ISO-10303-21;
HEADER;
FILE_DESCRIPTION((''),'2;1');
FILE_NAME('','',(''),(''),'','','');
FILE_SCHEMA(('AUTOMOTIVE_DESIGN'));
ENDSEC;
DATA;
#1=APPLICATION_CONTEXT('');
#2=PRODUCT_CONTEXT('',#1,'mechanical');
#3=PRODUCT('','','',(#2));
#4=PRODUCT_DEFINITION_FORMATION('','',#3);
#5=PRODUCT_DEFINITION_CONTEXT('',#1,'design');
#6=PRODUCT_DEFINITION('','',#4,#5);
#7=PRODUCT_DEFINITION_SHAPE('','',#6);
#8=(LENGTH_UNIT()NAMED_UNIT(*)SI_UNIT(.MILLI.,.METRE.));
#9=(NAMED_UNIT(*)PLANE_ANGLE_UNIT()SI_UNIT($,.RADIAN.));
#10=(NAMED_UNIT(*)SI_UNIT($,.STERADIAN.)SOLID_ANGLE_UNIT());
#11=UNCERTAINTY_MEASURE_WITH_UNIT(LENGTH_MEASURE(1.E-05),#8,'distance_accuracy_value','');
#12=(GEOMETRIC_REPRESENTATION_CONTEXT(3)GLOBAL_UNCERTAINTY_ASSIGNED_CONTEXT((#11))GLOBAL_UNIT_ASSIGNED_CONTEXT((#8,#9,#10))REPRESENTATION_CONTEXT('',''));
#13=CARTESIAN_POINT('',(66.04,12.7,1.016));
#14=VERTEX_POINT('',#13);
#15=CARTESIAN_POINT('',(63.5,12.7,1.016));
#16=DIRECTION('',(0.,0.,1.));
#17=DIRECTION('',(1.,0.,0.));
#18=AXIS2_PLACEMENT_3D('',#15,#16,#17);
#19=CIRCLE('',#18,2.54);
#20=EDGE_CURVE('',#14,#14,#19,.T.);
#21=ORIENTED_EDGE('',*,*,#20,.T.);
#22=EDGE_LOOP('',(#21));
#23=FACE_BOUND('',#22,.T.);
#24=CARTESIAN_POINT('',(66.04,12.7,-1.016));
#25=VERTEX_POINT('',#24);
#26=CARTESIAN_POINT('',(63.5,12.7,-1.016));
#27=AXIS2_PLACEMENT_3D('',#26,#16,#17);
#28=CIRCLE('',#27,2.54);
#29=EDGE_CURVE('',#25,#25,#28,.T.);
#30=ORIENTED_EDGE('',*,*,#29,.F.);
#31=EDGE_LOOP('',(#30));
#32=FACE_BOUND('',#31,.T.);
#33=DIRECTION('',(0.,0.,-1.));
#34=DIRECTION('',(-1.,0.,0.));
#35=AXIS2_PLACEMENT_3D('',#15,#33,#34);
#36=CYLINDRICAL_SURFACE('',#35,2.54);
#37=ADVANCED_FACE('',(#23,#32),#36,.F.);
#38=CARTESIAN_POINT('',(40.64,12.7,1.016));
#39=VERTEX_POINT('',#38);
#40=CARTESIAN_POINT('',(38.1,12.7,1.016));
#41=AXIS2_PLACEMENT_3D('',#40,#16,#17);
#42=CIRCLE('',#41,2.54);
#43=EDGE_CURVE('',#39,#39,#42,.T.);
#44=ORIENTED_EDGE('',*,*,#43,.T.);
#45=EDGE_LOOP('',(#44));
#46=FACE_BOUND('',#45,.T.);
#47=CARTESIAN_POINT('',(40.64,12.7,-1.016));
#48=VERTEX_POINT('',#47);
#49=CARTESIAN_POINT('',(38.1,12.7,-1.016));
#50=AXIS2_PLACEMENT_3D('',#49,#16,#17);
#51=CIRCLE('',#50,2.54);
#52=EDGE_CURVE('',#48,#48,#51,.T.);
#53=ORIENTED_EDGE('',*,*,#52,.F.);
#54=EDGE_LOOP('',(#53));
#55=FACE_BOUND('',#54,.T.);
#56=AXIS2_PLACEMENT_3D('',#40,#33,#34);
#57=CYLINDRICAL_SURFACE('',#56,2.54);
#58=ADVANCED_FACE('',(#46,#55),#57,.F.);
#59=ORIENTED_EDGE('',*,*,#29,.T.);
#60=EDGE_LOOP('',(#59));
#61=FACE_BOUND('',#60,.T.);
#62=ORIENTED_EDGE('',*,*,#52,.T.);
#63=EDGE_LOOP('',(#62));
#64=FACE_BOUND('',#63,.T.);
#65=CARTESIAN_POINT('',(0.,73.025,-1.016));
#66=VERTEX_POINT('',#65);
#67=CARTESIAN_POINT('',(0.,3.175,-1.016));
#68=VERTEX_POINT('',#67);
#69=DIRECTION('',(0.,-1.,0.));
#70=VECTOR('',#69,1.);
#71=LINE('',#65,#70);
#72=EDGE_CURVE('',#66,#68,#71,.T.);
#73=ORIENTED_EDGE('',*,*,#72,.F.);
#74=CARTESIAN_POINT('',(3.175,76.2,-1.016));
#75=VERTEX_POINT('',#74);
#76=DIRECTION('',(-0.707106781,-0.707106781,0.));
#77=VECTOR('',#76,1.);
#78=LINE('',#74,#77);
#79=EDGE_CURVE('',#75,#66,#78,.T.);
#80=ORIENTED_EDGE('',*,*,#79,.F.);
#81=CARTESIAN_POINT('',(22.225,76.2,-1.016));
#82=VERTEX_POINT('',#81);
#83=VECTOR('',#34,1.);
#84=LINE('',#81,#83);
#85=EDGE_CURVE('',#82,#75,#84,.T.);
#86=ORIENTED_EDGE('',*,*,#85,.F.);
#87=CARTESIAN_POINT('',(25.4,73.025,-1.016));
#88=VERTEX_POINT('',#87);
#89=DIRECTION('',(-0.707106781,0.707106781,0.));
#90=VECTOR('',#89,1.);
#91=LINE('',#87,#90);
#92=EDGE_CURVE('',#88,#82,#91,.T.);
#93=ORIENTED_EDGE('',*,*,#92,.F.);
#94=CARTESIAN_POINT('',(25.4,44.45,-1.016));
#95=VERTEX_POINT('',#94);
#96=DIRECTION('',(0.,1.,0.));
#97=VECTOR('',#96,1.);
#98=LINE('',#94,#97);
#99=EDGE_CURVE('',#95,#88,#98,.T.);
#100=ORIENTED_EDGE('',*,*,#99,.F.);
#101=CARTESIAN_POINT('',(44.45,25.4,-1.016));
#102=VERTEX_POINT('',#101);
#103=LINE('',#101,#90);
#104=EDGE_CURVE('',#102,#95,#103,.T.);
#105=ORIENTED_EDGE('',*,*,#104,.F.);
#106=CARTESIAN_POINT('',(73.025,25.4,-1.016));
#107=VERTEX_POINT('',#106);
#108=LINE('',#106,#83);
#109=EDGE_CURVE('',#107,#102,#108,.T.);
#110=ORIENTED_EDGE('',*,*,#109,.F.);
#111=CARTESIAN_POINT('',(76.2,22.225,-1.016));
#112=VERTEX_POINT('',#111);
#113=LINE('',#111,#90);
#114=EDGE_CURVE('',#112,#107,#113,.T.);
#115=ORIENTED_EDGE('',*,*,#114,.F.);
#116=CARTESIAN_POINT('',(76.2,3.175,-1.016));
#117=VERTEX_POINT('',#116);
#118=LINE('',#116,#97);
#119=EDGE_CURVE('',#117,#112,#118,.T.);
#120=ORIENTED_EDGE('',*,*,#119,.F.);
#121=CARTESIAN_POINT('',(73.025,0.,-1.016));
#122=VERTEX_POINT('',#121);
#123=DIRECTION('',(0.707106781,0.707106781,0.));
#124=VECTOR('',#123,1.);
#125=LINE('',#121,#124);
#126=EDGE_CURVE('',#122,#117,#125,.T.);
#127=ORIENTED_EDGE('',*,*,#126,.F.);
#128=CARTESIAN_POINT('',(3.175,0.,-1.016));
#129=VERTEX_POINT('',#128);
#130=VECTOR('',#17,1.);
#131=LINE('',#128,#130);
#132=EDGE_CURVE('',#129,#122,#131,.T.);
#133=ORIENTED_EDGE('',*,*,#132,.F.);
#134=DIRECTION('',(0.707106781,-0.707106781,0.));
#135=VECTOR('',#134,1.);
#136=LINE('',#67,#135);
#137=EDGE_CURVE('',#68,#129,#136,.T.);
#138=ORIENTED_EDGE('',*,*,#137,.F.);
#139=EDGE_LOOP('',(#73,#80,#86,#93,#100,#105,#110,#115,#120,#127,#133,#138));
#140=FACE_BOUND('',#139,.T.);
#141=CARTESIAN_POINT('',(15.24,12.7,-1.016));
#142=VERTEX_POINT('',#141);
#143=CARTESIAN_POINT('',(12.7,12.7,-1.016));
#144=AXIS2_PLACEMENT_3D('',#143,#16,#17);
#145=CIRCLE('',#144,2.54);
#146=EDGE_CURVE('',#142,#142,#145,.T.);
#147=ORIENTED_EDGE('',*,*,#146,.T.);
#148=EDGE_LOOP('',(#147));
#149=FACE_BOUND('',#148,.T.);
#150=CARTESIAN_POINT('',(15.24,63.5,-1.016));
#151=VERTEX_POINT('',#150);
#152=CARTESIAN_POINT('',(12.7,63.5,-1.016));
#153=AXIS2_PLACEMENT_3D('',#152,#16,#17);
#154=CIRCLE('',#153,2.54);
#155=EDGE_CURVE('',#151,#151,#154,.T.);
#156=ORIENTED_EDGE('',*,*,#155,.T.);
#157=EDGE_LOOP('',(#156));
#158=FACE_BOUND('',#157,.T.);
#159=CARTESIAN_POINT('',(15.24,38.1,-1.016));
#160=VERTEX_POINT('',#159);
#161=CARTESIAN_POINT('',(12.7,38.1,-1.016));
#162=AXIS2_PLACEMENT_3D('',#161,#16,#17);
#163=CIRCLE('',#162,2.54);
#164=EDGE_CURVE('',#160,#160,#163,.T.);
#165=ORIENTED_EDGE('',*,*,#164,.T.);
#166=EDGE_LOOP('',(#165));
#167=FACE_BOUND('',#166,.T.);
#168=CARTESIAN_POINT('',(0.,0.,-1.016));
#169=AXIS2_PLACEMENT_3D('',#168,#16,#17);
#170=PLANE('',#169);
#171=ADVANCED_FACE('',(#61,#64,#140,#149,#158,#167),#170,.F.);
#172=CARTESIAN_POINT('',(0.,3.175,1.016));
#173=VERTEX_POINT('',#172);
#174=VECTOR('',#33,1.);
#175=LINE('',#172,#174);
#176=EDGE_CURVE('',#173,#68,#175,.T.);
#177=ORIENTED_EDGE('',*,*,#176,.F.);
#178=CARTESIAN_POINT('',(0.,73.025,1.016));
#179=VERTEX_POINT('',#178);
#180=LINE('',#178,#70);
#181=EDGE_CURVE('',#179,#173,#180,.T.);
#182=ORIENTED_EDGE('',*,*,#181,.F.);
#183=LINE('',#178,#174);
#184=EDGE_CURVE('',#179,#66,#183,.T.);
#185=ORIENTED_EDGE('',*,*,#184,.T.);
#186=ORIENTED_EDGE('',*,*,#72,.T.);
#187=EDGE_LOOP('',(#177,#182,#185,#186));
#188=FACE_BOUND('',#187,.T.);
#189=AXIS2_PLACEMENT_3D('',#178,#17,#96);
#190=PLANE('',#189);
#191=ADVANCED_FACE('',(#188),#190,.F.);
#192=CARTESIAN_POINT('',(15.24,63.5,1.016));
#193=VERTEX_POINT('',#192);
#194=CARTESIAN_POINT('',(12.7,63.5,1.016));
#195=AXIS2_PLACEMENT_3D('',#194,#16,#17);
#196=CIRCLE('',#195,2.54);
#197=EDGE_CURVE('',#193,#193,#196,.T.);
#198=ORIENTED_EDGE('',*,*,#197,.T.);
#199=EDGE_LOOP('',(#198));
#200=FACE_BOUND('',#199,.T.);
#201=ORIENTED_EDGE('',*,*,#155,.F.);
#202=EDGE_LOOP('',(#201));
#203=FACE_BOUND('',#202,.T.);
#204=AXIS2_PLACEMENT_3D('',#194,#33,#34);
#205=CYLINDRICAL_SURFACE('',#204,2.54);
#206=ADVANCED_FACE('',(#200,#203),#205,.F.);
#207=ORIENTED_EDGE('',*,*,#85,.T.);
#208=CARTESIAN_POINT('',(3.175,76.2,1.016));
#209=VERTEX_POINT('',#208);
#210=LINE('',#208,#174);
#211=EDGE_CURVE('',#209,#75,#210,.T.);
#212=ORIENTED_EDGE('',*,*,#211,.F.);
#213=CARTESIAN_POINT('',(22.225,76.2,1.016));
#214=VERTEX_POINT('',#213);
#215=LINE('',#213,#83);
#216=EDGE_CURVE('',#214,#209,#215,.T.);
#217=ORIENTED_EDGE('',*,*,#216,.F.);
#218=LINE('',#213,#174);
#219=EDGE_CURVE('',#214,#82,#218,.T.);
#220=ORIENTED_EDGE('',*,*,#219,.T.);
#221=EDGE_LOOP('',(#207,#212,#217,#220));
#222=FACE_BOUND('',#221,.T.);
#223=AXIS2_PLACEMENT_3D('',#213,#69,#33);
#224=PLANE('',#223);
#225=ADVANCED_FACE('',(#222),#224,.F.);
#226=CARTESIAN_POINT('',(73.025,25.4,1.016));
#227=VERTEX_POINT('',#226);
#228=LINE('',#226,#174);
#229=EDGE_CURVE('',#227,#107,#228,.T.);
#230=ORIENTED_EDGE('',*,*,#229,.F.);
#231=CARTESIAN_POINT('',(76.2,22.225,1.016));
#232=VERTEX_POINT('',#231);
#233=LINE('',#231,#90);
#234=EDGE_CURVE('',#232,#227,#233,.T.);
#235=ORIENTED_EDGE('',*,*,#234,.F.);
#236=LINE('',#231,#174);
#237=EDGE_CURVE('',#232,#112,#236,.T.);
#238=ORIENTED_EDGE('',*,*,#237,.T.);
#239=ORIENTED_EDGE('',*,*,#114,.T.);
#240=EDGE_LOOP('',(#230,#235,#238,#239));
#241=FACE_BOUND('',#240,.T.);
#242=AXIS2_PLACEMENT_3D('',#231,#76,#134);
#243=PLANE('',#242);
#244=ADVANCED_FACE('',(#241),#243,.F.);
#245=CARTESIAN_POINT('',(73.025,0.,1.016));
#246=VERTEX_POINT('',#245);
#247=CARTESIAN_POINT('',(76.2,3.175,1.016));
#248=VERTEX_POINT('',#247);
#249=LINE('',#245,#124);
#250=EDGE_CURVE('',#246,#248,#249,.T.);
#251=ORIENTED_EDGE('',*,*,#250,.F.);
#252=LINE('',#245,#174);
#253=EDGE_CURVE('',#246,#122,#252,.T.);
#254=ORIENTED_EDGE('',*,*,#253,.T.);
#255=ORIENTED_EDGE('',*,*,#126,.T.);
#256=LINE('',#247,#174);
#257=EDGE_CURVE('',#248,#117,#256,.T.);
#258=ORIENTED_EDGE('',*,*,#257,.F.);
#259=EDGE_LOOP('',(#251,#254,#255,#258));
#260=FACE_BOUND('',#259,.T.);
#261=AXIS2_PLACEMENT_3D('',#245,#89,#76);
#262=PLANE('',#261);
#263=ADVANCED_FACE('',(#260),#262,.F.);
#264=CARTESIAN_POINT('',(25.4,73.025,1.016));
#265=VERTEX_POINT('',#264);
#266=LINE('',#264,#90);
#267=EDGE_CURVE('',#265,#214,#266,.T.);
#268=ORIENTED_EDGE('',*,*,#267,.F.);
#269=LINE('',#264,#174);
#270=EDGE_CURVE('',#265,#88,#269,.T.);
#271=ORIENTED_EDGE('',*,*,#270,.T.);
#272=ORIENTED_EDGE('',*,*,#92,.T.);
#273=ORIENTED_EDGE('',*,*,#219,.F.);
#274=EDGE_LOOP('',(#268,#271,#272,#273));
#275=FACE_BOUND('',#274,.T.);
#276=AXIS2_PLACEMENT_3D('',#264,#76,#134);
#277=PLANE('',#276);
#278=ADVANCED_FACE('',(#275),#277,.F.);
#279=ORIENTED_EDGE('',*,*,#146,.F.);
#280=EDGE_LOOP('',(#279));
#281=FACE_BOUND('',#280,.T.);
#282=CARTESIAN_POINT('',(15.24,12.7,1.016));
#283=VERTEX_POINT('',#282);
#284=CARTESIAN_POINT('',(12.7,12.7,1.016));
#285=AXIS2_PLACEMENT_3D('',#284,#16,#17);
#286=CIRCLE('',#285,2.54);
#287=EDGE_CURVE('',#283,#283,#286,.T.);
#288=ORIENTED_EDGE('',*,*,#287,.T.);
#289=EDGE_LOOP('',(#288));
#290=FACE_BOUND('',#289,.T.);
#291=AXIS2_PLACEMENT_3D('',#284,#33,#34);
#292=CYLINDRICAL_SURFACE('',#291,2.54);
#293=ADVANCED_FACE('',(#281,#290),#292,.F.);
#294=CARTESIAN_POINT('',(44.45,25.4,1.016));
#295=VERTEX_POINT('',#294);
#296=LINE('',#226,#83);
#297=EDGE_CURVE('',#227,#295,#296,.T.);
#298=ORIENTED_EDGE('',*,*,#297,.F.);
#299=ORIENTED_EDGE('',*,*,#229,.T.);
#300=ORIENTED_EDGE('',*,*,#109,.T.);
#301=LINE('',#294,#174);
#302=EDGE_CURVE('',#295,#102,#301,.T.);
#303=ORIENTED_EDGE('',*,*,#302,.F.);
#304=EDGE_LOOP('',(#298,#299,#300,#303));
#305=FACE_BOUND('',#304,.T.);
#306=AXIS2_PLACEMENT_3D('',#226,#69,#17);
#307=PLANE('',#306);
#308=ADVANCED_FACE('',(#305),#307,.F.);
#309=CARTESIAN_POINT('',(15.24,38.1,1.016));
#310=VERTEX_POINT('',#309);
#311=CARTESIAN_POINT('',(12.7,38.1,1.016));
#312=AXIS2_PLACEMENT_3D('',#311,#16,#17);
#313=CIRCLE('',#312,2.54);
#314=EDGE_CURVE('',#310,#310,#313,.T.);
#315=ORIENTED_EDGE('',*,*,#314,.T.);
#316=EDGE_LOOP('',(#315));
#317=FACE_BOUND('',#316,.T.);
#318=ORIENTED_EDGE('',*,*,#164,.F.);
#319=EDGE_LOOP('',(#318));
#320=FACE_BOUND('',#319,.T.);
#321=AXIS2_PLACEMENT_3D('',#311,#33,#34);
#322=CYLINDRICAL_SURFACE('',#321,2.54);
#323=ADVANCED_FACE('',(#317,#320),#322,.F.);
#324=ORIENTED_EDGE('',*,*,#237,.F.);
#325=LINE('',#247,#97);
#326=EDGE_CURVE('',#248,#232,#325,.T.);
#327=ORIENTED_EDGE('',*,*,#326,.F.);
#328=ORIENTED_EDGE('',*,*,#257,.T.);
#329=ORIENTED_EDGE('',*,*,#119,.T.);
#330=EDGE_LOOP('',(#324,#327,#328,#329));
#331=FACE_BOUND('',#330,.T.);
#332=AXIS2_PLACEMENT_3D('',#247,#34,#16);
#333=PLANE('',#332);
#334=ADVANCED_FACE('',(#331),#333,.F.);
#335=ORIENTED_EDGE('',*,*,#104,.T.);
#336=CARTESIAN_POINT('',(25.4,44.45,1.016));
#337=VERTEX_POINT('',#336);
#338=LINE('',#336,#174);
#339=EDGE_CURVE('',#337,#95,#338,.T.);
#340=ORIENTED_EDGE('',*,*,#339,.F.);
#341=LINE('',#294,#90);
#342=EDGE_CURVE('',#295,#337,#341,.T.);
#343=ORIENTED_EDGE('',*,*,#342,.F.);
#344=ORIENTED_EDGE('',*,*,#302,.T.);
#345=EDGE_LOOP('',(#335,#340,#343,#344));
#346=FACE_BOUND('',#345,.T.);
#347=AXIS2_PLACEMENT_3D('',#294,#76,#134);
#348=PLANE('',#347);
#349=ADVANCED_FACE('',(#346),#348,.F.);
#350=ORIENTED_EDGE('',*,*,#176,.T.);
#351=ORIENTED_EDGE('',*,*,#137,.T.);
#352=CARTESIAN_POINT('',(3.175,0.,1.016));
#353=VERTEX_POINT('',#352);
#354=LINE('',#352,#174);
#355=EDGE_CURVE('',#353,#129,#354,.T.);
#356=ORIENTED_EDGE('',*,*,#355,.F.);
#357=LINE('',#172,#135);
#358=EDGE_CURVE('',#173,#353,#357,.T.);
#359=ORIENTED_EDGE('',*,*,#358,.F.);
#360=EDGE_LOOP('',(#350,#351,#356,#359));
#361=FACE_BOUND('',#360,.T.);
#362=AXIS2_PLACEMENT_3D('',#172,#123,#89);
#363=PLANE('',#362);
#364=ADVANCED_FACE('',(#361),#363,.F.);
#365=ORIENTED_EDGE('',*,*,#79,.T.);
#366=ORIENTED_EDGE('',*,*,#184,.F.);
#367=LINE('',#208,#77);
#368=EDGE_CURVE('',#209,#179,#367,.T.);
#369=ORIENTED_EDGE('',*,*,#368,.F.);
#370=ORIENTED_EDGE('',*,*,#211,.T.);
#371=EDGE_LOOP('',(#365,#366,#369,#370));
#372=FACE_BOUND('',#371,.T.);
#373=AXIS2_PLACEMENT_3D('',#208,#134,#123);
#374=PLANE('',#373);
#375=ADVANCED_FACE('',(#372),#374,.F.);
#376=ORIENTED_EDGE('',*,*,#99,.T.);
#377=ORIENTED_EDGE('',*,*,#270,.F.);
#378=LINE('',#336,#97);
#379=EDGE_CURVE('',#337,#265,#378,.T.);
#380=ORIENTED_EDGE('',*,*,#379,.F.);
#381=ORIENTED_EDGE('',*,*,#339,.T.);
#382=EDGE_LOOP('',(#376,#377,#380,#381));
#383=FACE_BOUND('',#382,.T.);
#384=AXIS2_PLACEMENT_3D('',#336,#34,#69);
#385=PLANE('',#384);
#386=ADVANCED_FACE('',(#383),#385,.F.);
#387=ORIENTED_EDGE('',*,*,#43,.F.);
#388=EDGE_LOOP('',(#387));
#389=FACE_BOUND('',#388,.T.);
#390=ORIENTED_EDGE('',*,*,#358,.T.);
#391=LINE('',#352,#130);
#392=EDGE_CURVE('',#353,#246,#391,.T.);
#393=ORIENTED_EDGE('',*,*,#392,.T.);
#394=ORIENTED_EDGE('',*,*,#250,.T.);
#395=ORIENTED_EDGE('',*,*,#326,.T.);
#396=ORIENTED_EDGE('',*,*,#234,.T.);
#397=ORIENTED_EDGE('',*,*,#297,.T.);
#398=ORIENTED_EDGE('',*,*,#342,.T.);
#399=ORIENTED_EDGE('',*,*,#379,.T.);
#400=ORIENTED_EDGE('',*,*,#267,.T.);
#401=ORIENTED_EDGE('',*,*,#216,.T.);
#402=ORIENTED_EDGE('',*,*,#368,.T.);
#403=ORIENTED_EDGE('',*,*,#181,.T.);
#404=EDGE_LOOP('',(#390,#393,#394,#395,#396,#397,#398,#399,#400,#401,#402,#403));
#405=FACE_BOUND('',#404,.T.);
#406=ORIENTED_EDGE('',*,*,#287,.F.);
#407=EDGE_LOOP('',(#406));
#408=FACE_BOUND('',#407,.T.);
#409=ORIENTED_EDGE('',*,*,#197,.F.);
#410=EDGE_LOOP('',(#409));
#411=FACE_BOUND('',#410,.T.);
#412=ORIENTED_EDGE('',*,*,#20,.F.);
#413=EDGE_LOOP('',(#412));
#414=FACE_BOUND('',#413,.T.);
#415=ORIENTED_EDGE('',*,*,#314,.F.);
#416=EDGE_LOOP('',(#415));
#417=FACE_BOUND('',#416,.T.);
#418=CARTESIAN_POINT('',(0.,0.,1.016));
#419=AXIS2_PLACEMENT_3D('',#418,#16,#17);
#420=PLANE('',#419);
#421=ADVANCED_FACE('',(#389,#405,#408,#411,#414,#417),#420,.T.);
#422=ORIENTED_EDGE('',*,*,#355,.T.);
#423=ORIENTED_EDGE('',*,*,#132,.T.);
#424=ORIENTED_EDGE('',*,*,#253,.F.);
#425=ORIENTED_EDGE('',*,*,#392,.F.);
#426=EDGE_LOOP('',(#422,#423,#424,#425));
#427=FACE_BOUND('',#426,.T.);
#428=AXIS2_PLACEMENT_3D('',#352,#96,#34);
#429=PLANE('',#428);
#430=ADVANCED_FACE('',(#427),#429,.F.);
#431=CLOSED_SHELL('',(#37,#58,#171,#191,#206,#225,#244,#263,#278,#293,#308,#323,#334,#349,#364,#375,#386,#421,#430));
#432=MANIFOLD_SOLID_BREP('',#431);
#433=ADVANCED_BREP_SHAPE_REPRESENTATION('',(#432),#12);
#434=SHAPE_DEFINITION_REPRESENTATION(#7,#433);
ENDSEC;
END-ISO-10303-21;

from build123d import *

# Parameters (mm, degrees)
SKETCH1_R           = 2.54
BOSS_EXTRUDE1_DEPTH = 1.016


with BuildPart() as part:
    # Sketch1 → Boss-Extrude1 (new, symmetric)
    with BuildSketch(Plane.XY):
        Polygon((76.2, 3.175), (76.2, 22.225), (73.025, 25.4), (44.45, 25.4), (25.4, 44.45), (25.4, 73.025), (22.225, 76.2), (3.175, 76.2), (0, 73.025), (0, 3.175), (3.175, 0), (73.025, 0), align=None)
        with Locations((12.7, 12.7)):
            Circle(SKETCH1_R, mode=Mode.SUBTRACT)
        with Locations((12.7, 38.1)):
            Circle(SKETCH1_R, mode=Mode.SUBTRACT)
        with Locations((12.7, 63.5)):
            Circle(SKETCH1_R, mode=Mode.SUBTRACT)
        with Locations((38.1, 12.7)):
            Circle(SKETCH1_R, mode=Mode.SUBTRACT)
        with Locations((63.5, 12.7)):
            Circle(SKETCH1_R, mode=Mode.SUBTRACT)
    extrude(amount=BOSS_EXTRUDE1_DEPTH, both=True)


solid = part.part
